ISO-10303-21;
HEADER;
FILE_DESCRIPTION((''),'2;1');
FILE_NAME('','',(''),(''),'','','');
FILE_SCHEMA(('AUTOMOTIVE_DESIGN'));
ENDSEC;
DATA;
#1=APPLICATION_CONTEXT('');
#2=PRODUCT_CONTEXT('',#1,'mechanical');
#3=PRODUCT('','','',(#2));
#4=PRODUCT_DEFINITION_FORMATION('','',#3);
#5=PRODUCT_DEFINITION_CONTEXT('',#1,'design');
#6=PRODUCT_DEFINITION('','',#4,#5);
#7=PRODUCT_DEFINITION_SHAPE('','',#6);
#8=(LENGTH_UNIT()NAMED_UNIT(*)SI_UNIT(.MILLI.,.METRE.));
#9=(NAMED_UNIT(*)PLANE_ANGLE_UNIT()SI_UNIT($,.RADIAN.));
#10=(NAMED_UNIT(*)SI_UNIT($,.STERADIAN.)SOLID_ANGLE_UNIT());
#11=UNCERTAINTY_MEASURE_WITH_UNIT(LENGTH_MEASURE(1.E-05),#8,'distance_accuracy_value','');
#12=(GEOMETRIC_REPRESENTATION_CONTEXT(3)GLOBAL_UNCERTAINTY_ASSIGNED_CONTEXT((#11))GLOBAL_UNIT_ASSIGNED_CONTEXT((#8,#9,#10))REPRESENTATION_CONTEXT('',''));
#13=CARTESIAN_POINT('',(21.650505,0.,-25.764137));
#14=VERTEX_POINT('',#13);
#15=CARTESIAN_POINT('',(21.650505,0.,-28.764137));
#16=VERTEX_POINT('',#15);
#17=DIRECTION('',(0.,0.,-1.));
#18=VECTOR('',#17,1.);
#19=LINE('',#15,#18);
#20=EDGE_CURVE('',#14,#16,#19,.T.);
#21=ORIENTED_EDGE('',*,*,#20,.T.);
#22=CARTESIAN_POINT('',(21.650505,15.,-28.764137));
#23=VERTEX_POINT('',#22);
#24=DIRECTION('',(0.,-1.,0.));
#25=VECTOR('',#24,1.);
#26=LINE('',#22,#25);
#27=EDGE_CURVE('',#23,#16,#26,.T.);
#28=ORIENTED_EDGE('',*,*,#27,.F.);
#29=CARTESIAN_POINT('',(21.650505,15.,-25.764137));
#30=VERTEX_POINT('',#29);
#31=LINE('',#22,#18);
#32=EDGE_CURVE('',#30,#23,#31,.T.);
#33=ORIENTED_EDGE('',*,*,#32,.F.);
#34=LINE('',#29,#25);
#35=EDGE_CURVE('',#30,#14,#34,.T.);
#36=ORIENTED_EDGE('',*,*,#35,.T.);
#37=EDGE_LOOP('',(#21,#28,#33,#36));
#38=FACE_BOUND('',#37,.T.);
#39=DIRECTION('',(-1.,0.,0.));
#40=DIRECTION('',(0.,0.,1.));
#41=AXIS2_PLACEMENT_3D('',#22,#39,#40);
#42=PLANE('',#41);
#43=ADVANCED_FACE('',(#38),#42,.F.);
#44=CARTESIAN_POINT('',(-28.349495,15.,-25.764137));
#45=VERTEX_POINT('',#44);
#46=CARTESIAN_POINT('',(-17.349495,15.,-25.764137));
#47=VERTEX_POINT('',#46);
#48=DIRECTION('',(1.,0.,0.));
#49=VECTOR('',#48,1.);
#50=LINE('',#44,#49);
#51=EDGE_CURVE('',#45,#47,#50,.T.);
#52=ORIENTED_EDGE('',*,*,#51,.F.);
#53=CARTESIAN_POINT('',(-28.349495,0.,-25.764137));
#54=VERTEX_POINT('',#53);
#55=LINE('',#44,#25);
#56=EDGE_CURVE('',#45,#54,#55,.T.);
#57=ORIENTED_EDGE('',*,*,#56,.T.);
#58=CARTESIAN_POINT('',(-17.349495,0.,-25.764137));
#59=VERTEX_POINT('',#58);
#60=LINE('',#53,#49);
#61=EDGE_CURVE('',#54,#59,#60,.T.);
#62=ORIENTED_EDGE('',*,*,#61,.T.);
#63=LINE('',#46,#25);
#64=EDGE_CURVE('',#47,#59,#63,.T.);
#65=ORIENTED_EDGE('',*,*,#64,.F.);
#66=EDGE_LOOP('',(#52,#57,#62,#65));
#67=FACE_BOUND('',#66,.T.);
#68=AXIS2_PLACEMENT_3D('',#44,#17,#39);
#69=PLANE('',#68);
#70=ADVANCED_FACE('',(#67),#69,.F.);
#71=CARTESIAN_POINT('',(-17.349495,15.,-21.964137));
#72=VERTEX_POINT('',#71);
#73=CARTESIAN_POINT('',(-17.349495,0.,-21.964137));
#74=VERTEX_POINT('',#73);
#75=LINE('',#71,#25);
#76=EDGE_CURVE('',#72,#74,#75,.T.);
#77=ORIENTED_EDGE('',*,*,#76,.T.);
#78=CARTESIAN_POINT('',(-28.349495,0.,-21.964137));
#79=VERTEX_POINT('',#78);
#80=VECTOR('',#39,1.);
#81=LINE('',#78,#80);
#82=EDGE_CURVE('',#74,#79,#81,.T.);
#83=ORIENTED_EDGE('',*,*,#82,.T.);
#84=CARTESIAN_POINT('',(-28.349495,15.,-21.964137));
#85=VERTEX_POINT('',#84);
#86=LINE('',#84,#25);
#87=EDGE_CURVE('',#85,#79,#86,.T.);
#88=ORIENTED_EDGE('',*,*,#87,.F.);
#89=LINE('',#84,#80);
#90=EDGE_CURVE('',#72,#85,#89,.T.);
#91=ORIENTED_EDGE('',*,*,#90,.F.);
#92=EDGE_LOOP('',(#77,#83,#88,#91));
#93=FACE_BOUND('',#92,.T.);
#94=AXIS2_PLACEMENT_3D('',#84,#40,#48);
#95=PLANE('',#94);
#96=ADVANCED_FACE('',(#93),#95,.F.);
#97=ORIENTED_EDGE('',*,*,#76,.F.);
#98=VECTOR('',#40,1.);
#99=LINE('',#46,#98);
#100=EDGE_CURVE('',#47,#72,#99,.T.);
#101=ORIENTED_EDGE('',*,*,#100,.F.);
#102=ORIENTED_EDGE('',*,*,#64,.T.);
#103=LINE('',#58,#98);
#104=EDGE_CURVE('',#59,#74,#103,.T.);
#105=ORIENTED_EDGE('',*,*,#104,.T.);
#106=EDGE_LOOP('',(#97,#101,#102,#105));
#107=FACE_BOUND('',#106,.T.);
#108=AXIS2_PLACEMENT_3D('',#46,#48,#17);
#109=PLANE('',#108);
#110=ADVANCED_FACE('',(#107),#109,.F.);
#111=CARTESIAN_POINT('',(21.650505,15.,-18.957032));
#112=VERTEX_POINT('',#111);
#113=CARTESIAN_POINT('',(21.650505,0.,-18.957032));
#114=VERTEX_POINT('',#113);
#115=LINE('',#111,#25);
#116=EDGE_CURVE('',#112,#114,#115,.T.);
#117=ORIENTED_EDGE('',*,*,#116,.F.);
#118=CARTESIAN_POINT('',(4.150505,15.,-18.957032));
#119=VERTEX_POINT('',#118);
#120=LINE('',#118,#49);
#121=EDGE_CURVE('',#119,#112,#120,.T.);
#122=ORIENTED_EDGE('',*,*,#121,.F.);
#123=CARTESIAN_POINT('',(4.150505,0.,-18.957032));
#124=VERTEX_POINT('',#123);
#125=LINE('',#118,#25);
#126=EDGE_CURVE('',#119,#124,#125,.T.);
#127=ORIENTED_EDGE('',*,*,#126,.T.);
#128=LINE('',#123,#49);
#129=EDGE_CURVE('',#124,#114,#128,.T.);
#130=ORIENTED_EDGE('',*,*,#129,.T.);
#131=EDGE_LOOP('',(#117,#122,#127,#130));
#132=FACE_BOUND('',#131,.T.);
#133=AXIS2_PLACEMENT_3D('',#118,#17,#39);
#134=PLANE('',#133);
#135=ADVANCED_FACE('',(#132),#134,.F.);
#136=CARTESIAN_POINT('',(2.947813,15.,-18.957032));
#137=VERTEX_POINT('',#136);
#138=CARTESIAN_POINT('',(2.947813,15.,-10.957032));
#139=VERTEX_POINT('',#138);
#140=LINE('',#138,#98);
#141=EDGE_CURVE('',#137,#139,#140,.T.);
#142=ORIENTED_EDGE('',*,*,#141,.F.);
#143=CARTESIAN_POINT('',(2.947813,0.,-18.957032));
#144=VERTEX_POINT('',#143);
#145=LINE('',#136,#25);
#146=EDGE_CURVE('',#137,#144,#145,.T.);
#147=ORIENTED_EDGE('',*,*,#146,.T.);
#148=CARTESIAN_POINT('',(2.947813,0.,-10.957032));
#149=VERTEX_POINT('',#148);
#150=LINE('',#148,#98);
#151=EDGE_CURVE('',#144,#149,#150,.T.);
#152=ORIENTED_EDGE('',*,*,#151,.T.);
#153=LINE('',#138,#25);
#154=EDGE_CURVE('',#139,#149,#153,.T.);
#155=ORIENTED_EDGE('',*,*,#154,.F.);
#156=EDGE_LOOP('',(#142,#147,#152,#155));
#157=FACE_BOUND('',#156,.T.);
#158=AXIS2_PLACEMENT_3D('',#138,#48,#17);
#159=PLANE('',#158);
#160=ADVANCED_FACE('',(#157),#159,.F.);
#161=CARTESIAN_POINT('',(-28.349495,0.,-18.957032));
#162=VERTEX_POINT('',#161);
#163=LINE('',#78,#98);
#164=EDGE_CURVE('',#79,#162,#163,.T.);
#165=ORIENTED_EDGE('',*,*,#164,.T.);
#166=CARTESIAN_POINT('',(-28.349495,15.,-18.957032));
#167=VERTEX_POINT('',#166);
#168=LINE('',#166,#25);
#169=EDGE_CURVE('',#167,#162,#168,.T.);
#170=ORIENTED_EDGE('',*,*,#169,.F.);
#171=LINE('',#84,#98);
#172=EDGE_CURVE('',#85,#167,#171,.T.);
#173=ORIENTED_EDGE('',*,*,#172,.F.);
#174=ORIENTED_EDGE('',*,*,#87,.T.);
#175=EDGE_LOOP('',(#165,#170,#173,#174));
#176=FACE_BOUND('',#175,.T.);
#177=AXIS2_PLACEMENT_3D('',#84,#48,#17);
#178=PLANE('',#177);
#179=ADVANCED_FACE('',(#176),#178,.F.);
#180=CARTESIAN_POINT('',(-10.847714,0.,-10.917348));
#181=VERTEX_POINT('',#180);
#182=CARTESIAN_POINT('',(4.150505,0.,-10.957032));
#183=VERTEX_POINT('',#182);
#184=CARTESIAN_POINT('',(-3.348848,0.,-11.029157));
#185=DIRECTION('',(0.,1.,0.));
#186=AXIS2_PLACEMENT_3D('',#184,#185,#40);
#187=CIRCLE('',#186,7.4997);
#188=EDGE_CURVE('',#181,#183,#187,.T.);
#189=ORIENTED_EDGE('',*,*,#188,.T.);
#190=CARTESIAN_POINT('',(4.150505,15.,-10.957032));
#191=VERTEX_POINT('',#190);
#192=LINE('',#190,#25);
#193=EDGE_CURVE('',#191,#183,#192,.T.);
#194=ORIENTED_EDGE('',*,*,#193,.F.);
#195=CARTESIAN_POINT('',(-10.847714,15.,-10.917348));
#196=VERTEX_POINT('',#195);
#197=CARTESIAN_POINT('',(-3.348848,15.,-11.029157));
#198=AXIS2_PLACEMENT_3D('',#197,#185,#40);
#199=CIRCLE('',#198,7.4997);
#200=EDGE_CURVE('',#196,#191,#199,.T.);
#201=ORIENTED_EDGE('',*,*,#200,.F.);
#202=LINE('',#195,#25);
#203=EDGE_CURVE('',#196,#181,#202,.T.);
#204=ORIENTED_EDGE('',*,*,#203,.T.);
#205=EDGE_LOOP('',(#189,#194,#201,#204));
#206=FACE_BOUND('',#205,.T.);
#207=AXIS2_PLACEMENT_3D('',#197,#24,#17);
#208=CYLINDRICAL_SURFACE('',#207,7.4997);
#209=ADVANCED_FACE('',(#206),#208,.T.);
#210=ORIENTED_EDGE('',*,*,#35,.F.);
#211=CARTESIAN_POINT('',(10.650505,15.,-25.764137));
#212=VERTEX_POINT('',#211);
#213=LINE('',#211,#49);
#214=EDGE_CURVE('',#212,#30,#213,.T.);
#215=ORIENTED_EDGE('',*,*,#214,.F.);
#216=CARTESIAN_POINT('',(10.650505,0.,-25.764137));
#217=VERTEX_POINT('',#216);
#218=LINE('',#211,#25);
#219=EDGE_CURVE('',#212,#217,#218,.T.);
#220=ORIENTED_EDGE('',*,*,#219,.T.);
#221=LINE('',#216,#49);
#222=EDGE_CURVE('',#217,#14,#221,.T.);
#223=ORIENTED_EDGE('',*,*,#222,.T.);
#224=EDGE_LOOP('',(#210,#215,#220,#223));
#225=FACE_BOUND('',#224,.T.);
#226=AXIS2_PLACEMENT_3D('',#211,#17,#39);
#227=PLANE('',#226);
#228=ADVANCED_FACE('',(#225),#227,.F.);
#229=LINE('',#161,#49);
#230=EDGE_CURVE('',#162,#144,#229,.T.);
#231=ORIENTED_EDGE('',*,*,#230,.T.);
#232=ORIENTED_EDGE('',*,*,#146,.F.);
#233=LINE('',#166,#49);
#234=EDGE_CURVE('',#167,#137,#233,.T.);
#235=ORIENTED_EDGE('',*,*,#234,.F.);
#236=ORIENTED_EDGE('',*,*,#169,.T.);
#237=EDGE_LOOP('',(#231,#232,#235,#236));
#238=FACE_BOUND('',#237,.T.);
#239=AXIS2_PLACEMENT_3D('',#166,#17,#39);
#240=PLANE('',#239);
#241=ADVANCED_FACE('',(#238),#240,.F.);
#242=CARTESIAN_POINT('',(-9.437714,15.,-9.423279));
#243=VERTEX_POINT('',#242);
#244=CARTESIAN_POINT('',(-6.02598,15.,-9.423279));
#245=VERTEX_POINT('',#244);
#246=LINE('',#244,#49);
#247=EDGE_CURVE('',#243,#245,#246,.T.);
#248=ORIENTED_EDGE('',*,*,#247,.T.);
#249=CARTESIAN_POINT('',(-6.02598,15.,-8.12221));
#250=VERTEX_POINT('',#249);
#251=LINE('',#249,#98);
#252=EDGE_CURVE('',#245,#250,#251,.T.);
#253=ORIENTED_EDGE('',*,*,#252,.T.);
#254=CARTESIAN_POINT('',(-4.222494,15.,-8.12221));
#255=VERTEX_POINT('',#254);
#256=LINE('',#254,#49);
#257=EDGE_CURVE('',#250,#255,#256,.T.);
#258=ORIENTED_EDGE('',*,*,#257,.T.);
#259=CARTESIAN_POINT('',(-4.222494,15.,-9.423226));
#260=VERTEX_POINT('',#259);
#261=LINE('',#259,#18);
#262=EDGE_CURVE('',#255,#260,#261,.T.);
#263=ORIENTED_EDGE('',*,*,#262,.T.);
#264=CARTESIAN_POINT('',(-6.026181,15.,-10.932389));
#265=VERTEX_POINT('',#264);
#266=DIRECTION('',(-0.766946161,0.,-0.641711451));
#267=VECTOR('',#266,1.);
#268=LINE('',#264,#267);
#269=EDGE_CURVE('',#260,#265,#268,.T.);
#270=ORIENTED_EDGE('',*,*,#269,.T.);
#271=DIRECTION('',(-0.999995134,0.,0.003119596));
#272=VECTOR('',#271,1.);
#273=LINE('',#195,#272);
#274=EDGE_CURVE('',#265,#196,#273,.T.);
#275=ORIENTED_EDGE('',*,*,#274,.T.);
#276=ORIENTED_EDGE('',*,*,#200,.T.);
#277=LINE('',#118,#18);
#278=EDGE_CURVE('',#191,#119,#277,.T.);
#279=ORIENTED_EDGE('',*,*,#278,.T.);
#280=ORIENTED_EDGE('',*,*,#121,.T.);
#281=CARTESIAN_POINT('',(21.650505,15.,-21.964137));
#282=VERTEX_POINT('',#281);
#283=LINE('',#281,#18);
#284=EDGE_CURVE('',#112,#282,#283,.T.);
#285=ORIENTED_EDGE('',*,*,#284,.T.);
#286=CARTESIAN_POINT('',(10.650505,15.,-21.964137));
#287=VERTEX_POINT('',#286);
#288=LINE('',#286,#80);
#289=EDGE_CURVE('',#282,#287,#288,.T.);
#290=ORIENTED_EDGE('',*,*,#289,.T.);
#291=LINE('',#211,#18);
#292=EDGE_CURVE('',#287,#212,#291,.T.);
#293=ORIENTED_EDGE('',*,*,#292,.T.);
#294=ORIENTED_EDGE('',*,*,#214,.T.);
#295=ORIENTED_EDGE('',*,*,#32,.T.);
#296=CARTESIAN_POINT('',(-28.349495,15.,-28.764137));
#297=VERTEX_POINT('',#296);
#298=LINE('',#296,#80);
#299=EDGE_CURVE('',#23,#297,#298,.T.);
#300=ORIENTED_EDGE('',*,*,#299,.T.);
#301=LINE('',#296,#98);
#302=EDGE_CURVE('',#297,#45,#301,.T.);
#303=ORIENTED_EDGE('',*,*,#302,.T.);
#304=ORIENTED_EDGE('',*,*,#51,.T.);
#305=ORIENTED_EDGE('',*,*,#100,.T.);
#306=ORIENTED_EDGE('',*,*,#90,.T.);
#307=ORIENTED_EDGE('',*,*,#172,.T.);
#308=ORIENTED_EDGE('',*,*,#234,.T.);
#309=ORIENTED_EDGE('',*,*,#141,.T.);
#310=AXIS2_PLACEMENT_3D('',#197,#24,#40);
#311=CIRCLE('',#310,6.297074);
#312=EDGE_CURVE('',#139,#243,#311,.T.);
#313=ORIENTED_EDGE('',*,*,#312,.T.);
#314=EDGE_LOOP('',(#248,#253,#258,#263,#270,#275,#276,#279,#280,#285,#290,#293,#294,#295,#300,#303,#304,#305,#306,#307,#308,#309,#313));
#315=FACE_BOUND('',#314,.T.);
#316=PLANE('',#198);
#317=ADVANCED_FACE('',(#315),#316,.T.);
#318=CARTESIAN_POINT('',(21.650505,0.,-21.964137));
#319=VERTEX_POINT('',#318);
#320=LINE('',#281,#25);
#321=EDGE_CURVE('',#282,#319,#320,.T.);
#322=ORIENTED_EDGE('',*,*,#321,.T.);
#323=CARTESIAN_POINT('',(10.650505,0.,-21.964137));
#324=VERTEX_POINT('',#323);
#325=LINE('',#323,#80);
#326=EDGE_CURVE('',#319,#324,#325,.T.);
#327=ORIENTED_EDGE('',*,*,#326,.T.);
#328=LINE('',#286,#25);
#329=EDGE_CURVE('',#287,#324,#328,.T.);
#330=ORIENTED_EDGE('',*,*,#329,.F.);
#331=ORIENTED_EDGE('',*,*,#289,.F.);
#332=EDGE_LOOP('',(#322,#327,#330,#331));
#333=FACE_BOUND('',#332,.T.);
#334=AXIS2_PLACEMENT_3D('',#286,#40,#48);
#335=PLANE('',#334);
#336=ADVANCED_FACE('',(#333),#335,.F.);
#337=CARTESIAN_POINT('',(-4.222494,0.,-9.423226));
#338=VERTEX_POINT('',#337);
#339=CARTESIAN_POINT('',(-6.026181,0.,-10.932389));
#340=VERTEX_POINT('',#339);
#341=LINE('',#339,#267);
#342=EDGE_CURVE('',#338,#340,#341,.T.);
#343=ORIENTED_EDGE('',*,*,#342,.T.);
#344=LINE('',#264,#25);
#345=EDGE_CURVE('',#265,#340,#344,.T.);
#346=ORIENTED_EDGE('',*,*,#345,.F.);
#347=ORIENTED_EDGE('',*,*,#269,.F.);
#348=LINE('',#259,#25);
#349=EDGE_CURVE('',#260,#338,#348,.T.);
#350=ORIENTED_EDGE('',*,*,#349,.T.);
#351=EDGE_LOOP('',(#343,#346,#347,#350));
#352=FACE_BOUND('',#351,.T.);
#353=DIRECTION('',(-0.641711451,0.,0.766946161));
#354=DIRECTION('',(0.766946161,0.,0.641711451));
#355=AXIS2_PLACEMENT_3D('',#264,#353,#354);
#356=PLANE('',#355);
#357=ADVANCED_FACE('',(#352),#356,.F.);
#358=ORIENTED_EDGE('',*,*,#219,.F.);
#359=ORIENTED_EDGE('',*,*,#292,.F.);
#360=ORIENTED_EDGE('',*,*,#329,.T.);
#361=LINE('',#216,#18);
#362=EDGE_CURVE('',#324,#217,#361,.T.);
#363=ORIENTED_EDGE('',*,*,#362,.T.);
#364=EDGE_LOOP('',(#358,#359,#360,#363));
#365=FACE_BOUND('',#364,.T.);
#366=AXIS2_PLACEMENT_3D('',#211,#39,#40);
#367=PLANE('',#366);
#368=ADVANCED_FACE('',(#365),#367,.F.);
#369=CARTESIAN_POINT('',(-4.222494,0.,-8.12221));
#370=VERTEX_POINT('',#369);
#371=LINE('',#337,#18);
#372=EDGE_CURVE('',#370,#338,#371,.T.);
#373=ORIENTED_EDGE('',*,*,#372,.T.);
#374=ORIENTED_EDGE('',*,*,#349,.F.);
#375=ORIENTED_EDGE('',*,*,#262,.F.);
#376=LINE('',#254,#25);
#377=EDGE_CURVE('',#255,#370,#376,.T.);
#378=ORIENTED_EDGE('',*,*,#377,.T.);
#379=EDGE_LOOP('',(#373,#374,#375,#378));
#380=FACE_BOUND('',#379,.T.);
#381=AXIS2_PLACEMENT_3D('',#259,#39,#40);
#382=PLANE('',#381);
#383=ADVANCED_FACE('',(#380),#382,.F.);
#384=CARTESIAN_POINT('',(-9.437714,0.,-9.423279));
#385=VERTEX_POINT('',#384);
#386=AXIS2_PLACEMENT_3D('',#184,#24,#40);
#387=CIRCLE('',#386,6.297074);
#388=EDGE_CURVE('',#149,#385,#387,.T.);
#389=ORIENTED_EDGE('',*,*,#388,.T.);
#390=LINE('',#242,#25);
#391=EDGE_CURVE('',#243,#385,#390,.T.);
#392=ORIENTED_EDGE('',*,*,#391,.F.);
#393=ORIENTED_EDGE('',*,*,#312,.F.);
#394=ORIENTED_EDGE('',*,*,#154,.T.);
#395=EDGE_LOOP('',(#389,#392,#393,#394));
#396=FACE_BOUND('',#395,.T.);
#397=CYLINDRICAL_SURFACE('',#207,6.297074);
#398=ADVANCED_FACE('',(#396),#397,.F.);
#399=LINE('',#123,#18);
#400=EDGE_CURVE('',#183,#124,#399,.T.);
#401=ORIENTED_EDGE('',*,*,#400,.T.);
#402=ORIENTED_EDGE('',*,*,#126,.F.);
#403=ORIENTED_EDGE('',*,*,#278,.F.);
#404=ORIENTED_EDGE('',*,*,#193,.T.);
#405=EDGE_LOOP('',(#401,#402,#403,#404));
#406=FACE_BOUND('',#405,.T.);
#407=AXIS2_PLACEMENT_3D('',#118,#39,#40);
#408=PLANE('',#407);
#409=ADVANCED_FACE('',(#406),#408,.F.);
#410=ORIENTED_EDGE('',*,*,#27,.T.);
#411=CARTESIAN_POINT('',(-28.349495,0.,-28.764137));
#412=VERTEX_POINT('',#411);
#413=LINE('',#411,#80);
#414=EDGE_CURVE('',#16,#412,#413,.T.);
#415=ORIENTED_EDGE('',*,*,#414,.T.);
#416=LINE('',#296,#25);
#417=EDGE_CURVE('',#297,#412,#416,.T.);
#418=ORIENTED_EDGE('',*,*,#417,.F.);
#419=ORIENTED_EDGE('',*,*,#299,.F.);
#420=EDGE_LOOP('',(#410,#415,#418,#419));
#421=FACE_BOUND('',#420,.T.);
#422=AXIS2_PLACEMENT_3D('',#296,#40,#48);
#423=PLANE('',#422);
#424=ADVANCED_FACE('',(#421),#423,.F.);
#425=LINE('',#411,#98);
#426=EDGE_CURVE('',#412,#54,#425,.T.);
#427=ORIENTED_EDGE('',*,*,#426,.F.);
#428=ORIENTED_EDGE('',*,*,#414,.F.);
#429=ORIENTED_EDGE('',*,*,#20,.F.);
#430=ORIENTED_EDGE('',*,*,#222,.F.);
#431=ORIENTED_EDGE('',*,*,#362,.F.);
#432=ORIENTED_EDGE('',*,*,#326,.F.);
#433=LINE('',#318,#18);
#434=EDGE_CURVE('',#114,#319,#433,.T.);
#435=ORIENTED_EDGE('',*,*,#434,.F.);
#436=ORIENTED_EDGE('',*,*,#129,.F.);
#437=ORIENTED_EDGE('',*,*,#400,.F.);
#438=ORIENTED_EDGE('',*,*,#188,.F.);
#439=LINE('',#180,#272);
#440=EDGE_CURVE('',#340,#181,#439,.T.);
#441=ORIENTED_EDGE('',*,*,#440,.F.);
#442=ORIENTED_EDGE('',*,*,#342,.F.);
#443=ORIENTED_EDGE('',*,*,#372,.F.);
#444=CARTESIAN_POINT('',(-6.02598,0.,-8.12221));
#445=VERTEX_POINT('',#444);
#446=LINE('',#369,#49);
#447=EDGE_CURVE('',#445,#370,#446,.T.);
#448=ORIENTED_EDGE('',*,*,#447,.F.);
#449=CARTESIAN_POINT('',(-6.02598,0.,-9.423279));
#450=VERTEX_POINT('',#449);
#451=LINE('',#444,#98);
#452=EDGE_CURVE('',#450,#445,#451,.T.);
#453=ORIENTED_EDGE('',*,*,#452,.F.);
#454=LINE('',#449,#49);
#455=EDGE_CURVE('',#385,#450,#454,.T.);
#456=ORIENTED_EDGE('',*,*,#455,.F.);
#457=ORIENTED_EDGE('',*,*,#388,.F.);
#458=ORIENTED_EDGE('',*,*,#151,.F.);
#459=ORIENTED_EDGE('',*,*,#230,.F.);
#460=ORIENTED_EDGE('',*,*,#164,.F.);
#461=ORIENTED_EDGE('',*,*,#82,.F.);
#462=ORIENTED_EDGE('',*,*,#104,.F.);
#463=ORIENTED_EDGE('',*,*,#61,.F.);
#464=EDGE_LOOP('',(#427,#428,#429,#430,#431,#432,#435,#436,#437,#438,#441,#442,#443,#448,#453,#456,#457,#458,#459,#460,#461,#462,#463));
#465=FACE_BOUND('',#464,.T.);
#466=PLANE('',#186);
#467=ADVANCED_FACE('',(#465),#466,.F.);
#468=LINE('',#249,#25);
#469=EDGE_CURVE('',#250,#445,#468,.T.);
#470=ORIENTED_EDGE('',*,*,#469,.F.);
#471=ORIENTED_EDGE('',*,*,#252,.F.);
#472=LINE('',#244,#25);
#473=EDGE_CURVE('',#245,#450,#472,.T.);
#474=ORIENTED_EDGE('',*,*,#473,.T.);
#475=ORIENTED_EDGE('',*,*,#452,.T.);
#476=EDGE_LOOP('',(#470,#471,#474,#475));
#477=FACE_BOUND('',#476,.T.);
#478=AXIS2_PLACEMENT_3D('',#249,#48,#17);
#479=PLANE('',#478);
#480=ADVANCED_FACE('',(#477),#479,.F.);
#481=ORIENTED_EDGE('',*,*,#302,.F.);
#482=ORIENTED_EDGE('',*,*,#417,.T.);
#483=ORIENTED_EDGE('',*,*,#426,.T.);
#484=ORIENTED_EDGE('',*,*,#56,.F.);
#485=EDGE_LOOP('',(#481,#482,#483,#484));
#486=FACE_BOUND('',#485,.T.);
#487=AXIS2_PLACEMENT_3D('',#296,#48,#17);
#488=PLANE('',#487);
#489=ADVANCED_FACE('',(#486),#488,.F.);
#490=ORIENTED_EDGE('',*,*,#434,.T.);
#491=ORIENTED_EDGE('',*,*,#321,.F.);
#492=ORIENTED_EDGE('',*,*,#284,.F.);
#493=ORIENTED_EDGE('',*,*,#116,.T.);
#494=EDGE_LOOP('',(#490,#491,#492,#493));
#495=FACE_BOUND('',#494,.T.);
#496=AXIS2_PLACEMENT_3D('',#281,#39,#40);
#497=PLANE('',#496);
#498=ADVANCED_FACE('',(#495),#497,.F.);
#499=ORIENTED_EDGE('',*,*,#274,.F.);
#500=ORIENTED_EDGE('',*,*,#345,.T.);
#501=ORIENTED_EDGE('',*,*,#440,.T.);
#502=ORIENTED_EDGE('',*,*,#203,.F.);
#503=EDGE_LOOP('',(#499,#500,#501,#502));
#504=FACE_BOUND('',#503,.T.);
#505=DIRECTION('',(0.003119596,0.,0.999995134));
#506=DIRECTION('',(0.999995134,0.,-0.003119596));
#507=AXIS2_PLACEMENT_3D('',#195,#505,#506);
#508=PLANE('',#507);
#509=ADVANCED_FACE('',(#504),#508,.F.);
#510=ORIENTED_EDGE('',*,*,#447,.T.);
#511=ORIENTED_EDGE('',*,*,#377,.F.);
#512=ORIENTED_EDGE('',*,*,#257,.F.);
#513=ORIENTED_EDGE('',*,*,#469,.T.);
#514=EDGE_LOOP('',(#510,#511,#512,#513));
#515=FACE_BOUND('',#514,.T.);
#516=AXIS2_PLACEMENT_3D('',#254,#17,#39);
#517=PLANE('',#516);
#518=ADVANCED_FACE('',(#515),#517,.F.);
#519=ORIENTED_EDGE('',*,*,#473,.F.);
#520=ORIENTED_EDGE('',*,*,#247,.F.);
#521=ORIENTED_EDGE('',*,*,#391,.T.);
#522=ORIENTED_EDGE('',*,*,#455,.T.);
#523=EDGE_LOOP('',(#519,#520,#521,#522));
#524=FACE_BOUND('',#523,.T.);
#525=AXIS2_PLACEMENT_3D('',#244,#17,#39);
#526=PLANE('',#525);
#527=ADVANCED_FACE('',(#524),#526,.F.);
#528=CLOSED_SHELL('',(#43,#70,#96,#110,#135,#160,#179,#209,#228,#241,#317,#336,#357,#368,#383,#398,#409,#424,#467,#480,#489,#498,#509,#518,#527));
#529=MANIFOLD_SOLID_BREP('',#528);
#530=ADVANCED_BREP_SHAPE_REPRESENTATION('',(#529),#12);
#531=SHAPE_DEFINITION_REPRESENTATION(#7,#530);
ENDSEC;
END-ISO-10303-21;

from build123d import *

# Parameters (mm, degrees)
BOSS_EXTRUDE2_DEPTH = 15


with BuildPart() as part:
    # Sketch2 → Boss-Extrude2 (new body)
    with BuildSketch(Plane(origin=(0, 0, 0), x_dir=(1, 0, 0), z_dir=(0, 1, 0))):
        with BuildLine():
            Line((-28.349494605, 21.964136687), (-17.349494605, 21.964136687))
            Line((-17.349494605, 21.964136687), (-17.349494605, 25.764136687))
            Line((-17.349494605, 25.764136687), (-28.349494605, 25.764136687))
            Line((-28.349494605, 25.764136687), (-28.349494605, 28.764136687))
            Line((-28.349494605, 28.764136687), (21.650505395, 28.764136687))
            Line((21.650505395, 28.764136687), (21.650505395, 25.764136687))
            Line((21.650505395, 25.764136687), (10.650505395, 25.764136687))
            Line((10.650505395, 25.764136687), (10.650505395, 21.964136687))
            Line((10.650505395, 21.964136687), (21.650505395, 21.964136687))
            Line((21.650505395, 21.964136687), (21.650505395, 18.957031621))
            Line((21.650505395, 18.957031621), (4.150505395, 18.957031621))
            Line((4.150505395, 18.957031621), (4.150505395, 10.957031621))
            ThreePointArc((4.150505395, 10.957031621), (-3.329004451, 3.529483044), (-10.847714263, 10.91734797))
            Line((-10.847714263, 10.91734797), (-6.026180838, 10.932389281))
            Line((-6.026180838, 10.932389281), (-4.222493535, 9.423226245))
            Line((-4.222493535, 9.423226245), (-4.222493535, 8.122210377))
            Line((-4.222493535, 8.122210377), (-6.025980027, 8.122210377))
            Line((-6.025980027, 8.122210377), (-6.025980027, 9.423279207))
            Line((-6.025980027, 9.423279207), (-9.437714366, 9.423279207))
            ThreePointArc((-9.437714366, 9.423279207), (-2.574965526, 4.779817175), (2.947813029, 10.957031621))
            Line((2.947813029, 10.957031621), (2.947813029, 18.957031621))
            Line((2.947813029, 18.957031621), (-28.349494605, 18.957031621))
            Line((-28.349494605, 18.957031621), (-28.349494605, 21.964136687))
        make_face()
    extrude(amount=BOSS_EXTRUDE2_DEPTH)


solid = part.part
